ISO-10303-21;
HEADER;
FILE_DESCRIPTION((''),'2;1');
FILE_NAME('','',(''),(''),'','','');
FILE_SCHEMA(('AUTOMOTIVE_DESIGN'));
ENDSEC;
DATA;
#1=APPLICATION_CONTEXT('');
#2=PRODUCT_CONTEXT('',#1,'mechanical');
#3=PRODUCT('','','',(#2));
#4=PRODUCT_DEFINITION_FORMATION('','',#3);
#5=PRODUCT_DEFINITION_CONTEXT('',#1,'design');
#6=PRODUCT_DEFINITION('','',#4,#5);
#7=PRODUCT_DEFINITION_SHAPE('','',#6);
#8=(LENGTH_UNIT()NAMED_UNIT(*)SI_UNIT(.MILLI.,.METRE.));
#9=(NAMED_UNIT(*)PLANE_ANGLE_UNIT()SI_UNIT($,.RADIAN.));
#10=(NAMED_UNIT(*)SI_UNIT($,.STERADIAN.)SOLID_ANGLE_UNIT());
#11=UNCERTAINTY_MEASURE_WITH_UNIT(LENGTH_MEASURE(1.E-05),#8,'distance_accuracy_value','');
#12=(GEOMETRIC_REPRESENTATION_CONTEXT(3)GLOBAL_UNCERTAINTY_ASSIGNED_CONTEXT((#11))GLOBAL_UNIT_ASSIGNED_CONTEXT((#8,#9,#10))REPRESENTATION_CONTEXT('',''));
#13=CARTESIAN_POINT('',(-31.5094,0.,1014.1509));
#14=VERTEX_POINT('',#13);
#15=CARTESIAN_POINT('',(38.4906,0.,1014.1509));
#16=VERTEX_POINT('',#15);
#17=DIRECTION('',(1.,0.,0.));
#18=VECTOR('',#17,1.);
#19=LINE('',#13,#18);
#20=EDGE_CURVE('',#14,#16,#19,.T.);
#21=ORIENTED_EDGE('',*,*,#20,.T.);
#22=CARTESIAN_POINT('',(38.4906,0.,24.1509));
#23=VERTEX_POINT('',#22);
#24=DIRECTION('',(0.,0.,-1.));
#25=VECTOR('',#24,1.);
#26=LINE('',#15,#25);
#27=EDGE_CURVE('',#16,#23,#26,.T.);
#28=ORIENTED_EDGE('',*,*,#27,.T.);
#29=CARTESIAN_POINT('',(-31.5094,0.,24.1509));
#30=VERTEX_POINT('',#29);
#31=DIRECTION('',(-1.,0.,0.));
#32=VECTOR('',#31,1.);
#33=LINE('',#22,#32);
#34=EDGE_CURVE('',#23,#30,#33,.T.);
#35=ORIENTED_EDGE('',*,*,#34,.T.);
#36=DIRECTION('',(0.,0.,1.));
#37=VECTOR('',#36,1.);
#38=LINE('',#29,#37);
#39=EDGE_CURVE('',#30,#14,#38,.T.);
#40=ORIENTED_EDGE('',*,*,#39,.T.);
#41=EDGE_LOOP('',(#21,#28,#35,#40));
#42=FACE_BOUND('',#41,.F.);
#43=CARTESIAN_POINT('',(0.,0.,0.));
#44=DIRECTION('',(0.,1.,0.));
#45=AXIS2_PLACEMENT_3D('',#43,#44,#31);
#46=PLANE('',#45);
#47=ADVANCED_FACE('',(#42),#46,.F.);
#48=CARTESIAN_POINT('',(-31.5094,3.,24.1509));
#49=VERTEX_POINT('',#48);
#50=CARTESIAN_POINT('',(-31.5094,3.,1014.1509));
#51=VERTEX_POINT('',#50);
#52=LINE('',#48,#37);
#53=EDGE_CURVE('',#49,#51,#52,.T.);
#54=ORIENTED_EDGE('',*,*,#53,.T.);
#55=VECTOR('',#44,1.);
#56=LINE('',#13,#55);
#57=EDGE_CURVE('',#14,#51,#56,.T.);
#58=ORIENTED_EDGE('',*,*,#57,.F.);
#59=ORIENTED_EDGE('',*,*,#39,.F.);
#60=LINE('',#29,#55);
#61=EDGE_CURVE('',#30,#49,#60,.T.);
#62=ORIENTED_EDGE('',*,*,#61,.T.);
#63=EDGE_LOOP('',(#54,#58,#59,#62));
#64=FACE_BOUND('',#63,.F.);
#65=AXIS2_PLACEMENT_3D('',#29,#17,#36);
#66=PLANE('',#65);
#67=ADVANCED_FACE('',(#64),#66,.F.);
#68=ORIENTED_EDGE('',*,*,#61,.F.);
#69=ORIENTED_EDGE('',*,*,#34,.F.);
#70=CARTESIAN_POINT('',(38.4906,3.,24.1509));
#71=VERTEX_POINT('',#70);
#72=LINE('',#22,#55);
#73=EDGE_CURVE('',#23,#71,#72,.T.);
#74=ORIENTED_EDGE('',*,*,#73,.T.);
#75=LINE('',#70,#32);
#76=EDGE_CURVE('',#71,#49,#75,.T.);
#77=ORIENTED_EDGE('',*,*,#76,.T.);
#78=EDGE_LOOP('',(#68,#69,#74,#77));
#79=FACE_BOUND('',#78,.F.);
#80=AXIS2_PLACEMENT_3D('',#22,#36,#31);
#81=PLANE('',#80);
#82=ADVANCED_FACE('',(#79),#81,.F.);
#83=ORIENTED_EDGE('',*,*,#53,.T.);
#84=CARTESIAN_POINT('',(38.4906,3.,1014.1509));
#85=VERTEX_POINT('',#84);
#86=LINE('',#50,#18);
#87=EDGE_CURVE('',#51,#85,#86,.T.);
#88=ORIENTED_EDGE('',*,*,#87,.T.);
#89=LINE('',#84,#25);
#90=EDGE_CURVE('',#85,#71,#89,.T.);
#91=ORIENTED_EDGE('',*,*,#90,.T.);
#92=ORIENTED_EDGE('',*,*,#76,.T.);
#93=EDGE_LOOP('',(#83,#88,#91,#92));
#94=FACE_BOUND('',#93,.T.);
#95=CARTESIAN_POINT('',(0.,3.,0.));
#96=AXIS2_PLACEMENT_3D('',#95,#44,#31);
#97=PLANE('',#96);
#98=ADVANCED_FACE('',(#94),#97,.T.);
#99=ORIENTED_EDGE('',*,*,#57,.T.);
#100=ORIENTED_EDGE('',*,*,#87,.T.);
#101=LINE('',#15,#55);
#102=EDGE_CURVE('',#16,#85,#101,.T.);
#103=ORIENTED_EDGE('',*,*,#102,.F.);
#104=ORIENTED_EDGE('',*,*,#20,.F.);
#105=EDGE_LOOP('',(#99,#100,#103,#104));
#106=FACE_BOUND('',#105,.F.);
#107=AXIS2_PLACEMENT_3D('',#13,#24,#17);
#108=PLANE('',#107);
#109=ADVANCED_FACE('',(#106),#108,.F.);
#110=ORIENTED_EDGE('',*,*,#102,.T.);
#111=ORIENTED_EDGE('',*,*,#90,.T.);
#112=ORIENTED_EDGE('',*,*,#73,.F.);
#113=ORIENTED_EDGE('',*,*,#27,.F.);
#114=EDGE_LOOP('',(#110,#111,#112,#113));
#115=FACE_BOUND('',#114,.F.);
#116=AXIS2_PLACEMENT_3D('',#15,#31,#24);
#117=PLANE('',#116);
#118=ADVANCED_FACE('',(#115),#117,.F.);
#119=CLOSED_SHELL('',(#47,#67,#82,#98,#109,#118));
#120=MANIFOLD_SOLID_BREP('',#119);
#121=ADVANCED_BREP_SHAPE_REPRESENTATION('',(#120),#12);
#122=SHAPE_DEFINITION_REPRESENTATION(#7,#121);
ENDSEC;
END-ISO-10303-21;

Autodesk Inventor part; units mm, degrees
ref_plane "YZ Plane" through (0, 0, 0) normal (1, 0, 0) x (0, 1, 0)
ref_plane "XZ Plane" through (0, 0, 0) normal (0, 1, 0) x (-1, 0, 0)
ref_plane "XY Plane" through (0, 0, 0) normal (0, 0, 1) x (1, 0, 0)
sketch "Szkic1" plane through (0, 0, 0) normal (0, 1, 0) x (-1, 0, 0)
  line L0 (31.5094, 1014.1509) -> (-38.4906, 1014.1509)
  line L1 (-38.4906, 1014.1509) -> (-38.4906, 24.1509)
  line L2 (-38.4906, 24.1509) -> (31.5094, 24.1509)
  line L3 (31.5094, 24.1509) -> (31.5094, 1014.1509)
  point P0 (0, 0)
  dimension "d0" = 70
  dimension "d1" = 990
extrude "Wyciągnięcie proste1" add sketch "Szkic1" along normal blind 3
properties part number "tasiemka_do_zgrzewania_2"
